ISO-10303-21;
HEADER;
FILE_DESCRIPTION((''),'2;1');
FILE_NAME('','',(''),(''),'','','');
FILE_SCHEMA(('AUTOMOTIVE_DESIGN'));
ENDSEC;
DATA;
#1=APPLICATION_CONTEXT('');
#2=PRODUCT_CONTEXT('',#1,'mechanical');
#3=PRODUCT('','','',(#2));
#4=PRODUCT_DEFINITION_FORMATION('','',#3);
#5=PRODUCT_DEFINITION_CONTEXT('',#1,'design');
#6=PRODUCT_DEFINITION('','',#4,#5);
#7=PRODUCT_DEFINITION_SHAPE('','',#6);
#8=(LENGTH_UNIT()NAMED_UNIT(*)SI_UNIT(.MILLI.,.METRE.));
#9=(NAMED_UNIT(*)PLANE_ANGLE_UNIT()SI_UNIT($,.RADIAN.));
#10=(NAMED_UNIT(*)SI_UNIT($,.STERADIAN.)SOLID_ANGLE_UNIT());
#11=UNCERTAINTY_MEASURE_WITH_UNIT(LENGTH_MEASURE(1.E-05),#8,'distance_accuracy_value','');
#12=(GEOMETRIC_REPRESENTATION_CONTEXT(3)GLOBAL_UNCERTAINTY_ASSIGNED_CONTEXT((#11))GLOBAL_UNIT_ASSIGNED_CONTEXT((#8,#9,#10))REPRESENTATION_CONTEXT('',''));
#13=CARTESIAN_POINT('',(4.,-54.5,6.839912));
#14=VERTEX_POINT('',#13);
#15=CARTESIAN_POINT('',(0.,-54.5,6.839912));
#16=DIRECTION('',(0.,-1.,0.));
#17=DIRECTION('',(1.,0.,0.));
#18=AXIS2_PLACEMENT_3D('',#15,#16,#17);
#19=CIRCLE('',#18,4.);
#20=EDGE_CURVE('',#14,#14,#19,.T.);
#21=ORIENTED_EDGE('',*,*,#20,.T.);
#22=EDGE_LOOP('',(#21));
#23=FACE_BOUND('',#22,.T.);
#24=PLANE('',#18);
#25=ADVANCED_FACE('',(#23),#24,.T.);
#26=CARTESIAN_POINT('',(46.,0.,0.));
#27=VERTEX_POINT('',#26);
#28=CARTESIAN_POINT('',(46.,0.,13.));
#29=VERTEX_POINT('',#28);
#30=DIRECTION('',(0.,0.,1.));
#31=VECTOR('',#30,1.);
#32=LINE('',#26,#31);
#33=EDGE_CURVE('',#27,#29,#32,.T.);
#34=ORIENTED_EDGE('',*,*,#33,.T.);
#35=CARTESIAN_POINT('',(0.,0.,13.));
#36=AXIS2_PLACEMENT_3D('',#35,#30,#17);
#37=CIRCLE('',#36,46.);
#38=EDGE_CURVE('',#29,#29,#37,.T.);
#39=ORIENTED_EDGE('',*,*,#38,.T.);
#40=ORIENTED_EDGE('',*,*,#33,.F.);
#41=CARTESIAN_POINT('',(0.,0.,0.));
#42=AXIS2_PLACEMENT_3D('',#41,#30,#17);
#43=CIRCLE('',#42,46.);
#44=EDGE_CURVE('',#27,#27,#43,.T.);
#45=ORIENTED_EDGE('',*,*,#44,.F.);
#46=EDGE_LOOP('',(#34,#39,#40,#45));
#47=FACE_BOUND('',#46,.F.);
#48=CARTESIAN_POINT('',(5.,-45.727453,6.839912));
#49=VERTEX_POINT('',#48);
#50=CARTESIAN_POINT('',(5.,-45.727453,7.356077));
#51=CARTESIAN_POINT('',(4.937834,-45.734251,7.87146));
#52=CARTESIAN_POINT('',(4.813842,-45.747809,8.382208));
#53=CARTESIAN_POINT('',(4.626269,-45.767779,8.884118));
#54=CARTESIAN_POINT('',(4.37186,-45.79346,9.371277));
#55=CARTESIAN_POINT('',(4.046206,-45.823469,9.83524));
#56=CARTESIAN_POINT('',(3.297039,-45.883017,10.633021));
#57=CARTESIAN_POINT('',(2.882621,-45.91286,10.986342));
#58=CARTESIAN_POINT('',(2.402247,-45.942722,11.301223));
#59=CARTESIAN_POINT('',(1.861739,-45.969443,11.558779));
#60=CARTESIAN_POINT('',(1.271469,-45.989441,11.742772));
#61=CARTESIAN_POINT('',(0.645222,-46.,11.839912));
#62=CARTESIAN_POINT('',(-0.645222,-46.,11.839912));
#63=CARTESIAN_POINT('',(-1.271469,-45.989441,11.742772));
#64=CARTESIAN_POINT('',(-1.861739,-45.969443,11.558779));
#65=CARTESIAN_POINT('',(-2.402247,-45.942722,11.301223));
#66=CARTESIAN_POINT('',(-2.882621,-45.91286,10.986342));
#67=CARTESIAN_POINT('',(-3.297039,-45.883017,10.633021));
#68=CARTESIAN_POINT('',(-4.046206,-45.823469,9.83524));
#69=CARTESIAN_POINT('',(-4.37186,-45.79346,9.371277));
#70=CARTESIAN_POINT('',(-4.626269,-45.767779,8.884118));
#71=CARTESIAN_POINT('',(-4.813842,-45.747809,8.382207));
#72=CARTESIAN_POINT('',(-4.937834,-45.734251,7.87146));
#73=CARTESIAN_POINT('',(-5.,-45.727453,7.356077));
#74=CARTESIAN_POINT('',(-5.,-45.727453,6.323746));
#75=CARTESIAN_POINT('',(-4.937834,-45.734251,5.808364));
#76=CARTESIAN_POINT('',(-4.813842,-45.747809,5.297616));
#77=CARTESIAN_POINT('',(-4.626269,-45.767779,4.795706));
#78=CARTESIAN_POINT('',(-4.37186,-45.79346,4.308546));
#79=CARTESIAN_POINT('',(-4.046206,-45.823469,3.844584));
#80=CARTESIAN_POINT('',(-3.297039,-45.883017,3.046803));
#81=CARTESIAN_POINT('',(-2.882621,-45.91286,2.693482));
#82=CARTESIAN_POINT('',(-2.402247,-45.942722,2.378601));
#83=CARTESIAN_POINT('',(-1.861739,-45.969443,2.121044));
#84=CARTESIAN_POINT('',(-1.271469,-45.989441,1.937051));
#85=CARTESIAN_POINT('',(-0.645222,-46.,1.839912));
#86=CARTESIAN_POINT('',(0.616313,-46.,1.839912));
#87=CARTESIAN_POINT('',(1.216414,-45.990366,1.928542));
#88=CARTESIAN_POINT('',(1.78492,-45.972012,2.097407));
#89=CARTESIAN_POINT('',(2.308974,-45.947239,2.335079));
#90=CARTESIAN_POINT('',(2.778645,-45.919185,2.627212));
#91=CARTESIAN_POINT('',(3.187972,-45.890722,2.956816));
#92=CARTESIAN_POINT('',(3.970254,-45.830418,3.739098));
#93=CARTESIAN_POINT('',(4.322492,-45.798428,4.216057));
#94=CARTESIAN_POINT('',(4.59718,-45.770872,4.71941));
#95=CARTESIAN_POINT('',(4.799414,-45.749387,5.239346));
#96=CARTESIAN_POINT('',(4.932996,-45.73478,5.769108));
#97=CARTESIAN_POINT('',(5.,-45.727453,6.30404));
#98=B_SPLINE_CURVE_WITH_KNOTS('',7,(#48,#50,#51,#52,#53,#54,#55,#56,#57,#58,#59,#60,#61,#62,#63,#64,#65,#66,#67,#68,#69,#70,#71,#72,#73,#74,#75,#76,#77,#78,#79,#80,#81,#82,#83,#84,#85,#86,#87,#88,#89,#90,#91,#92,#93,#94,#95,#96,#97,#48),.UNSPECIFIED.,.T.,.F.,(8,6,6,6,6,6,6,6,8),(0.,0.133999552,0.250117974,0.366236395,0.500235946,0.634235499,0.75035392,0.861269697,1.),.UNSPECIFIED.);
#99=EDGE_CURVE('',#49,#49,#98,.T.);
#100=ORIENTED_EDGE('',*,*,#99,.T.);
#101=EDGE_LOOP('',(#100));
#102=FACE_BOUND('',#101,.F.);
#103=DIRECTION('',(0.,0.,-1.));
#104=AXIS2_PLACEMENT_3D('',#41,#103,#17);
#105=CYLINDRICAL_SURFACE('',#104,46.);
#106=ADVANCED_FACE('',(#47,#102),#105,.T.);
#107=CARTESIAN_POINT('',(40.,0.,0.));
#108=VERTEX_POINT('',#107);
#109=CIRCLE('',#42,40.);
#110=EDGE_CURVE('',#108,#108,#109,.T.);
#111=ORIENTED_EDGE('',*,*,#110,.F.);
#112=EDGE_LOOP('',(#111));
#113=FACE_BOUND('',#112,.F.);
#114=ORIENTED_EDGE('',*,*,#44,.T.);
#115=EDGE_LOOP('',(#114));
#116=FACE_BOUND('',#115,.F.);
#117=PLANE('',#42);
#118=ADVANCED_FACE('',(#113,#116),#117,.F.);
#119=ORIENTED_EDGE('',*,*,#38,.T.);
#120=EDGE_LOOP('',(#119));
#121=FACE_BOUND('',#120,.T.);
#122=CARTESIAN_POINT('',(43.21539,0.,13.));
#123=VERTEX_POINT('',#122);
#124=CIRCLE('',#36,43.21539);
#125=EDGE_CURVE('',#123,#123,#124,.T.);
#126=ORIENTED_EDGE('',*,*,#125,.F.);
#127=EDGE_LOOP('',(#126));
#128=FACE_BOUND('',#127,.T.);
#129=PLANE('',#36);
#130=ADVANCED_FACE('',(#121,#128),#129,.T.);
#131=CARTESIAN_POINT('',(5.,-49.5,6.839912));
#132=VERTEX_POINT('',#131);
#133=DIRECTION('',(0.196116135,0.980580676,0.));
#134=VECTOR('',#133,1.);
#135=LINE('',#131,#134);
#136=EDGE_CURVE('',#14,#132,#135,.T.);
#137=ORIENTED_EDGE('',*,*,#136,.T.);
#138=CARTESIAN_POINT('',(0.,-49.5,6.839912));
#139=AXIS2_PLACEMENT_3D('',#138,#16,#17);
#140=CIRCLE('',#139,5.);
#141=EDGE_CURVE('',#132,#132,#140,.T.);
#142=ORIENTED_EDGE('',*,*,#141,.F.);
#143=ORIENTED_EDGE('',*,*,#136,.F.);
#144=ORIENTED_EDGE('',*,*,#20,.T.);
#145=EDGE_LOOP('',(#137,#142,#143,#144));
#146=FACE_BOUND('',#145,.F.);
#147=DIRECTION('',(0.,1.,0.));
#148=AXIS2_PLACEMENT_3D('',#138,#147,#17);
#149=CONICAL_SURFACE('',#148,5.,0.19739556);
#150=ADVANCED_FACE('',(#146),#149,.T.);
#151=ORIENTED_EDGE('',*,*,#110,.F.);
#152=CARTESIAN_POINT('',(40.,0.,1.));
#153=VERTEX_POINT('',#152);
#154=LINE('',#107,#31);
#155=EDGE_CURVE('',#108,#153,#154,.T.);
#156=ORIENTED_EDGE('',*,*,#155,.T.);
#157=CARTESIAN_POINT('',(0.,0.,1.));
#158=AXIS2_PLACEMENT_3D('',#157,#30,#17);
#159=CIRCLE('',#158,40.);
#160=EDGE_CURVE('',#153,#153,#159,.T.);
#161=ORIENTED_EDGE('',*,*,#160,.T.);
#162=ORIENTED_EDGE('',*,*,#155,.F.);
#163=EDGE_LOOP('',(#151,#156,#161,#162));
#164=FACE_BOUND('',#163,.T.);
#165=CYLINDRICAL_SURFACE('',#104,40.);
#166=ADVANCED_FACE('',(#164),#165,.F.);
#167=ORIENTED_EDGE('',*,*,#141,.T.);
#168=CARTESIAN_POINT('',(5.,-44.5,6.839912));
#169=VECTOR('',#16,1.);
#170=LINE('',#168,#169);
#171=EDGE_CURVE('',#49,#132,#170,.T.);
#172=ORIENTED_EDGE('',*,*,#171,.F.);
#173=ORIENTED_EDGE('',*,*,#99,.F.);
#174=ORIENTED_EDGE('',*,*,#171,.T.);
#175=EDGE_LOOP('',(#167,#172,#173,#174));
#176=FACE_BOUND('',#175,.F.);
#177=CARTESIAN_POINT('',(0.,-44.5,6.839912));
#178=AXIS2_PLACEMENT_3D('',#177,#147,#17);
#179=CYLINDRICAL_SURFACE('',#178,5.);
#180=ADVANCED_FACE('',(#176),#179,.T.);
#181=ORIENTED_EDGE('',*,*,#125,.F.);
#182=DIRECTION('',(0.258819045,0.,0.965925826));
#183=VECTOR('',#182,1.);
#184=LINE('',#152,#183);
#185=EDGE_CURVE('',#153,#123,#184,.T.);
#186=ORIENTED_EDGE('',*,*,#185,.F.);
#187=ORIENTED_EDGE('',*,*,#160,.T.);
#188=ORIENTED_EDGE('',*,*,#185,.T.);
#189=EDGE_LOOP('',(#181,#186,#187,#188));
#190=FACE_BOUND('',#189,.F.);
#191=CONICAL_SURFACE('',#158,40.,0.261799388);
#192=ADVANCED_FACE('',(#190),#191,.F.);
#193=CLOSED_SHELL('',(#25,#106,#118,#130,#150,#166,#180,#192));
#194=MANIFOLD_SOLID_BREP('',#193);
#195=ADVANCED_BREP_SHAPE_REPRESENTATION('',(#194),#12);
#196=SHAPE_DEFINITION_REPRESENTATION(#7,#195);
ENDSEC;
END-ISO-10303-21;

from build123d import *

# Parameters (mm, degrees)
F0_R     = 46
F0_R_2   = 40
F1_DEPTH = 13
F3_R     = 5
F4_DEPTH = 10
F5_SIZE2 = 3.2153903092
F5_SIZE  = 12
F6_SIZE2 = 5
F6_SIZE  = 1


with BuildPart() as f1:
    # F0 (on Top) → F1 (new body)
    with BuildSketch(Plane.XY):
        Circle(F0_R)
        Circle(F0_R_2, mode=Mode.SUBTRACT)
    extrude(amount=F1_DEPTH)

    # F3 (on offset) → F4 (join)
    with BuildSketch(Plane.XZ.offset(44.5)):
        with Locations((0, 6.839911745)):
            Circle(F3_R)
    extrude(amount=F4_DEPTH)

    # F5
    f5_edges = [f1.edges().sort_by_distance(p)[0] for p in [
        (-40, 0, 13),
    ]]
    f5_side = f1.faces().sort_by_distance((-40, 0, 6.5))[0]
    chamfer(f5_edges, length=F5_SIZE, length2=F5_SIZE2, reference=f5_side)

    # F6
    f6_edges = [f1.edges().sort_by_distance(p)[0] for p in [
        (-5, -54.5, 6.839912),
    ]]
    f6_side = f1.faces().sort_by_distance((0, -54.5, 6.839912))[0]
    chamfer(f6_edges, length=F6_SIZE, length2=F6_SIZE2, reference=f6_side)


solid = f1.part
